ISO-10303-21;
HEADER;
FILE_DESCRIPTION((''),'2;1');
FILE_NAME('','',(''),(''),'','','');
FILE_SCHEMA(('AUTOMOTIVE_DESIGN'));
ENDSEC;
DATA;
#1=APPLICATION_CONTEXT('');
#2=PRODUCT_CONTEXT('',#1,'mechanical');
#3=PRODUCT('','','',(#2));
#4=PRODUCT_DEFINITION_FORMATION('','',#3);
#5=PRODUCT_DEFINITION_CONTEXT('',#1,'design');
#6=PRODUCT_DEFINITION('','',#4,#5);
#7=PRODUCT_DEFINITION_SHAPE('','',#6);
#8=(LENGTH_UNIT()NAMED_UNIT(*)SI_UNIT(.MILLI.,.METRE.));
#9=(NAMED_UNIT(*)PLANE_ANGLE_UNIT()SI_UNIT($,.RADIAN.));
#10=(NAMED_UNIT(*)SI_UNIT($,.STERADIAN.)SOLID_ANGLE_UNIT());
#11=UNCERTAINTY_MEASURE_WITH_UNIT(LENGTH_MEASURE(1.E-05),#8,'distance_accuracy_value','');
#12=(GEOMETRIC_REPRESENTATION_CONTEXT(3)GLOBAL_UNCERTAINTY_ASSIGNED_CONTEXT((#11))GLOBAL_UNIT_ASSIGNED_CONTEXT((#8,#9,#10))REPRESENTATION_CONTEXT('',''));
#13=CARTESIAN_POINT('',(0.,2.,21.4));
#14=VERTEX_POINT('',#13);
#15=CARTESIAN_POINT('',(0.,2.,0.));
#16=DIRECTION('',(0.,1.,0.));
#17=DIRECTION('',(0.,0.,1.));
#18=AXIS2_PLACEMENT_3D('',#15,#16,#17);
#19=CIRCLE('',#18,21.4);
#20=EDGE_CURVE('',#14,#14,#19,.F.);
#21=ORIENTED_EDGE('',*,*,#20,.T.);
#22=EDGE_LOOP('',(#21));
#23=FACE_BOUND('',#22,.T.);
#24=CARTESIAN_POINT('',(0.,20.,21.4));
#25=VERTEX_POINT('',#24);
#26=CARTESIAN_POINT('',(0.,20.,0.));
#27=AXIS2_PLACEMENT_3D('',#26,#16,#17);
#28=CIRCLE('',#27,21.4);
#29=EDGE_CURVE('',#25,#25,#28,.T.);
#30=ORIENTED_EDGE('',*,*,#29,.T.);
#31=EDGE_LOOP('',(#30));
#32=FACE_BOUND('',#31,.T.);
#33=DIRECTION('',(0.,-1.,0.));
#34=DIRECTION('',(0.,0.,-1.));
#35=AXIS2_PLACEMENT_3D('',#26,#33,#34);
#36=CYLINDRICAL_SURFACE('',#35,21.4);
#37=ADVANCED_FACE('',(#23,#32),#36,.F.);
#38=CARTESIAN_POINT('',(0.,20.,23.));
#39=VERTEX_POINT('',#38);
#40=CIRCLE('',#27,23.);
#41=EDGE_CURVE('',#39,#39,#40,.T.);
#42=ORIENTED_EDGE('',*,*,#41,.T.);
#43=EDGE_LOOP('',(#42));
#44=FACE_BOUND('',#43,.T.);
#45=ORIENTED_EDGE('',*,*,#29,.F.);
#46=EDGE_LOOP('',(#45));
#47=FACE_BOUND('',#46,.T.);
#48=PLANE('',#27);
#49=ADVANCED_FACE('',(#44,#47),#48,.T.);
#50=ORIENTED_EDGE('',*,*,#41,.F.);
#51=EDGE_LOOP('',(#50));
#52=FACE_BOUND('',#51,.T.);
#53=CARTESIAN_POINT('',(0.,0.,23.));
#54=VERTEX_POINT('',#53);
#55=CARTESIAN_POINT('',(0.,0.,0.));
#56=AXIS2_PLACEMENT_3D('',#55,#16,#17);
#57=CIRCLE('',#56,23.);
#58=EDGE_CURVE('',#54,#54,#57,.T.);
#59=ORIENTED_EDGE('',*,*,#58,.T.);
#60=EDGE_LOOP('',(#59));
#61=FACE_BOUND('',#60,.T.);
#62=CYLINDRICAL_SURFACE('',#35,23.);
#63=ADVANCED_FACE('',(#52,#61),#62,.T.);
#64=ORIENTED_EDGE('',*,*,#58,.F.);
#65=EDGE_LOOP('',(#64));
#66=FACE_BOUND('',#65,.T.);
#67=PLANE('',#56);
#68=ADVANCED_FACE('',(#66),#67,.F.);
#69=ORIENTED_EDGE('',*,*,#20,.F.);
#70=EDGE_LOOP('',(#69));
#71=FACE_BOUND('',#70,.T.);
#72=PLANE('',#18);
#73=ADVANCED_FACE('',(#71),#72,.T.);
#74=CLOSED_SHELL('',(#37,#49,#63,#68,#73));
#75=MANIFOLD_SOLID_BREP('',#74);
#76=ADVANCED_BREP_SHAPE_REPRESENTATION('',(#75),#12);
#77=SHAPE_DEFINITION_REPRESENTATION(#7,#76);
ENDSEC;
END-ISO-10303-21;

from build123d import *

# Parameters (mm, degrees)
SKETCH_1_R      = 21.4
EXTRUDE_1_DEPTH = 2
SKETCH_2_R      = 23
SKETCH_2_R_2    = 21.4
EXTRUDE_2_DEPTH = 20


with BuildPart() as part:
    # 草图1 → 凸台-拉伸1 (new body)
    with BuildSketch(Plane(origin=(0, 0, 0), x_dir=(1, 0, 0), z_dir=(0, 1, 0))):
        with Locations(Location((0, 0, 0), (0, 0, 270))):
            Circle(SKETCH_1_R)
    extrude(amount=EXTRUDE_1_DEPTH)

    # 草图2 → 凸台-拉伸2 (add)
    with BuildSketch(Plane(origin=(0, 0, 0), x_dir=(1, 0, 0), z_dir=(0, 1, 0))):
        with Locations(Location((0, 0, 0), (0, 0, 270))):
            Circle(SKETCH_2_R)
        with Locations(Location((0, 0, 0), (0, 0, 270))):
            Circle(SKETCH_2_R_2, mode=Mode.SUBTRACT)
    extrude(amount=EXTRUDE_2_DEPTH)


solid = part.part
